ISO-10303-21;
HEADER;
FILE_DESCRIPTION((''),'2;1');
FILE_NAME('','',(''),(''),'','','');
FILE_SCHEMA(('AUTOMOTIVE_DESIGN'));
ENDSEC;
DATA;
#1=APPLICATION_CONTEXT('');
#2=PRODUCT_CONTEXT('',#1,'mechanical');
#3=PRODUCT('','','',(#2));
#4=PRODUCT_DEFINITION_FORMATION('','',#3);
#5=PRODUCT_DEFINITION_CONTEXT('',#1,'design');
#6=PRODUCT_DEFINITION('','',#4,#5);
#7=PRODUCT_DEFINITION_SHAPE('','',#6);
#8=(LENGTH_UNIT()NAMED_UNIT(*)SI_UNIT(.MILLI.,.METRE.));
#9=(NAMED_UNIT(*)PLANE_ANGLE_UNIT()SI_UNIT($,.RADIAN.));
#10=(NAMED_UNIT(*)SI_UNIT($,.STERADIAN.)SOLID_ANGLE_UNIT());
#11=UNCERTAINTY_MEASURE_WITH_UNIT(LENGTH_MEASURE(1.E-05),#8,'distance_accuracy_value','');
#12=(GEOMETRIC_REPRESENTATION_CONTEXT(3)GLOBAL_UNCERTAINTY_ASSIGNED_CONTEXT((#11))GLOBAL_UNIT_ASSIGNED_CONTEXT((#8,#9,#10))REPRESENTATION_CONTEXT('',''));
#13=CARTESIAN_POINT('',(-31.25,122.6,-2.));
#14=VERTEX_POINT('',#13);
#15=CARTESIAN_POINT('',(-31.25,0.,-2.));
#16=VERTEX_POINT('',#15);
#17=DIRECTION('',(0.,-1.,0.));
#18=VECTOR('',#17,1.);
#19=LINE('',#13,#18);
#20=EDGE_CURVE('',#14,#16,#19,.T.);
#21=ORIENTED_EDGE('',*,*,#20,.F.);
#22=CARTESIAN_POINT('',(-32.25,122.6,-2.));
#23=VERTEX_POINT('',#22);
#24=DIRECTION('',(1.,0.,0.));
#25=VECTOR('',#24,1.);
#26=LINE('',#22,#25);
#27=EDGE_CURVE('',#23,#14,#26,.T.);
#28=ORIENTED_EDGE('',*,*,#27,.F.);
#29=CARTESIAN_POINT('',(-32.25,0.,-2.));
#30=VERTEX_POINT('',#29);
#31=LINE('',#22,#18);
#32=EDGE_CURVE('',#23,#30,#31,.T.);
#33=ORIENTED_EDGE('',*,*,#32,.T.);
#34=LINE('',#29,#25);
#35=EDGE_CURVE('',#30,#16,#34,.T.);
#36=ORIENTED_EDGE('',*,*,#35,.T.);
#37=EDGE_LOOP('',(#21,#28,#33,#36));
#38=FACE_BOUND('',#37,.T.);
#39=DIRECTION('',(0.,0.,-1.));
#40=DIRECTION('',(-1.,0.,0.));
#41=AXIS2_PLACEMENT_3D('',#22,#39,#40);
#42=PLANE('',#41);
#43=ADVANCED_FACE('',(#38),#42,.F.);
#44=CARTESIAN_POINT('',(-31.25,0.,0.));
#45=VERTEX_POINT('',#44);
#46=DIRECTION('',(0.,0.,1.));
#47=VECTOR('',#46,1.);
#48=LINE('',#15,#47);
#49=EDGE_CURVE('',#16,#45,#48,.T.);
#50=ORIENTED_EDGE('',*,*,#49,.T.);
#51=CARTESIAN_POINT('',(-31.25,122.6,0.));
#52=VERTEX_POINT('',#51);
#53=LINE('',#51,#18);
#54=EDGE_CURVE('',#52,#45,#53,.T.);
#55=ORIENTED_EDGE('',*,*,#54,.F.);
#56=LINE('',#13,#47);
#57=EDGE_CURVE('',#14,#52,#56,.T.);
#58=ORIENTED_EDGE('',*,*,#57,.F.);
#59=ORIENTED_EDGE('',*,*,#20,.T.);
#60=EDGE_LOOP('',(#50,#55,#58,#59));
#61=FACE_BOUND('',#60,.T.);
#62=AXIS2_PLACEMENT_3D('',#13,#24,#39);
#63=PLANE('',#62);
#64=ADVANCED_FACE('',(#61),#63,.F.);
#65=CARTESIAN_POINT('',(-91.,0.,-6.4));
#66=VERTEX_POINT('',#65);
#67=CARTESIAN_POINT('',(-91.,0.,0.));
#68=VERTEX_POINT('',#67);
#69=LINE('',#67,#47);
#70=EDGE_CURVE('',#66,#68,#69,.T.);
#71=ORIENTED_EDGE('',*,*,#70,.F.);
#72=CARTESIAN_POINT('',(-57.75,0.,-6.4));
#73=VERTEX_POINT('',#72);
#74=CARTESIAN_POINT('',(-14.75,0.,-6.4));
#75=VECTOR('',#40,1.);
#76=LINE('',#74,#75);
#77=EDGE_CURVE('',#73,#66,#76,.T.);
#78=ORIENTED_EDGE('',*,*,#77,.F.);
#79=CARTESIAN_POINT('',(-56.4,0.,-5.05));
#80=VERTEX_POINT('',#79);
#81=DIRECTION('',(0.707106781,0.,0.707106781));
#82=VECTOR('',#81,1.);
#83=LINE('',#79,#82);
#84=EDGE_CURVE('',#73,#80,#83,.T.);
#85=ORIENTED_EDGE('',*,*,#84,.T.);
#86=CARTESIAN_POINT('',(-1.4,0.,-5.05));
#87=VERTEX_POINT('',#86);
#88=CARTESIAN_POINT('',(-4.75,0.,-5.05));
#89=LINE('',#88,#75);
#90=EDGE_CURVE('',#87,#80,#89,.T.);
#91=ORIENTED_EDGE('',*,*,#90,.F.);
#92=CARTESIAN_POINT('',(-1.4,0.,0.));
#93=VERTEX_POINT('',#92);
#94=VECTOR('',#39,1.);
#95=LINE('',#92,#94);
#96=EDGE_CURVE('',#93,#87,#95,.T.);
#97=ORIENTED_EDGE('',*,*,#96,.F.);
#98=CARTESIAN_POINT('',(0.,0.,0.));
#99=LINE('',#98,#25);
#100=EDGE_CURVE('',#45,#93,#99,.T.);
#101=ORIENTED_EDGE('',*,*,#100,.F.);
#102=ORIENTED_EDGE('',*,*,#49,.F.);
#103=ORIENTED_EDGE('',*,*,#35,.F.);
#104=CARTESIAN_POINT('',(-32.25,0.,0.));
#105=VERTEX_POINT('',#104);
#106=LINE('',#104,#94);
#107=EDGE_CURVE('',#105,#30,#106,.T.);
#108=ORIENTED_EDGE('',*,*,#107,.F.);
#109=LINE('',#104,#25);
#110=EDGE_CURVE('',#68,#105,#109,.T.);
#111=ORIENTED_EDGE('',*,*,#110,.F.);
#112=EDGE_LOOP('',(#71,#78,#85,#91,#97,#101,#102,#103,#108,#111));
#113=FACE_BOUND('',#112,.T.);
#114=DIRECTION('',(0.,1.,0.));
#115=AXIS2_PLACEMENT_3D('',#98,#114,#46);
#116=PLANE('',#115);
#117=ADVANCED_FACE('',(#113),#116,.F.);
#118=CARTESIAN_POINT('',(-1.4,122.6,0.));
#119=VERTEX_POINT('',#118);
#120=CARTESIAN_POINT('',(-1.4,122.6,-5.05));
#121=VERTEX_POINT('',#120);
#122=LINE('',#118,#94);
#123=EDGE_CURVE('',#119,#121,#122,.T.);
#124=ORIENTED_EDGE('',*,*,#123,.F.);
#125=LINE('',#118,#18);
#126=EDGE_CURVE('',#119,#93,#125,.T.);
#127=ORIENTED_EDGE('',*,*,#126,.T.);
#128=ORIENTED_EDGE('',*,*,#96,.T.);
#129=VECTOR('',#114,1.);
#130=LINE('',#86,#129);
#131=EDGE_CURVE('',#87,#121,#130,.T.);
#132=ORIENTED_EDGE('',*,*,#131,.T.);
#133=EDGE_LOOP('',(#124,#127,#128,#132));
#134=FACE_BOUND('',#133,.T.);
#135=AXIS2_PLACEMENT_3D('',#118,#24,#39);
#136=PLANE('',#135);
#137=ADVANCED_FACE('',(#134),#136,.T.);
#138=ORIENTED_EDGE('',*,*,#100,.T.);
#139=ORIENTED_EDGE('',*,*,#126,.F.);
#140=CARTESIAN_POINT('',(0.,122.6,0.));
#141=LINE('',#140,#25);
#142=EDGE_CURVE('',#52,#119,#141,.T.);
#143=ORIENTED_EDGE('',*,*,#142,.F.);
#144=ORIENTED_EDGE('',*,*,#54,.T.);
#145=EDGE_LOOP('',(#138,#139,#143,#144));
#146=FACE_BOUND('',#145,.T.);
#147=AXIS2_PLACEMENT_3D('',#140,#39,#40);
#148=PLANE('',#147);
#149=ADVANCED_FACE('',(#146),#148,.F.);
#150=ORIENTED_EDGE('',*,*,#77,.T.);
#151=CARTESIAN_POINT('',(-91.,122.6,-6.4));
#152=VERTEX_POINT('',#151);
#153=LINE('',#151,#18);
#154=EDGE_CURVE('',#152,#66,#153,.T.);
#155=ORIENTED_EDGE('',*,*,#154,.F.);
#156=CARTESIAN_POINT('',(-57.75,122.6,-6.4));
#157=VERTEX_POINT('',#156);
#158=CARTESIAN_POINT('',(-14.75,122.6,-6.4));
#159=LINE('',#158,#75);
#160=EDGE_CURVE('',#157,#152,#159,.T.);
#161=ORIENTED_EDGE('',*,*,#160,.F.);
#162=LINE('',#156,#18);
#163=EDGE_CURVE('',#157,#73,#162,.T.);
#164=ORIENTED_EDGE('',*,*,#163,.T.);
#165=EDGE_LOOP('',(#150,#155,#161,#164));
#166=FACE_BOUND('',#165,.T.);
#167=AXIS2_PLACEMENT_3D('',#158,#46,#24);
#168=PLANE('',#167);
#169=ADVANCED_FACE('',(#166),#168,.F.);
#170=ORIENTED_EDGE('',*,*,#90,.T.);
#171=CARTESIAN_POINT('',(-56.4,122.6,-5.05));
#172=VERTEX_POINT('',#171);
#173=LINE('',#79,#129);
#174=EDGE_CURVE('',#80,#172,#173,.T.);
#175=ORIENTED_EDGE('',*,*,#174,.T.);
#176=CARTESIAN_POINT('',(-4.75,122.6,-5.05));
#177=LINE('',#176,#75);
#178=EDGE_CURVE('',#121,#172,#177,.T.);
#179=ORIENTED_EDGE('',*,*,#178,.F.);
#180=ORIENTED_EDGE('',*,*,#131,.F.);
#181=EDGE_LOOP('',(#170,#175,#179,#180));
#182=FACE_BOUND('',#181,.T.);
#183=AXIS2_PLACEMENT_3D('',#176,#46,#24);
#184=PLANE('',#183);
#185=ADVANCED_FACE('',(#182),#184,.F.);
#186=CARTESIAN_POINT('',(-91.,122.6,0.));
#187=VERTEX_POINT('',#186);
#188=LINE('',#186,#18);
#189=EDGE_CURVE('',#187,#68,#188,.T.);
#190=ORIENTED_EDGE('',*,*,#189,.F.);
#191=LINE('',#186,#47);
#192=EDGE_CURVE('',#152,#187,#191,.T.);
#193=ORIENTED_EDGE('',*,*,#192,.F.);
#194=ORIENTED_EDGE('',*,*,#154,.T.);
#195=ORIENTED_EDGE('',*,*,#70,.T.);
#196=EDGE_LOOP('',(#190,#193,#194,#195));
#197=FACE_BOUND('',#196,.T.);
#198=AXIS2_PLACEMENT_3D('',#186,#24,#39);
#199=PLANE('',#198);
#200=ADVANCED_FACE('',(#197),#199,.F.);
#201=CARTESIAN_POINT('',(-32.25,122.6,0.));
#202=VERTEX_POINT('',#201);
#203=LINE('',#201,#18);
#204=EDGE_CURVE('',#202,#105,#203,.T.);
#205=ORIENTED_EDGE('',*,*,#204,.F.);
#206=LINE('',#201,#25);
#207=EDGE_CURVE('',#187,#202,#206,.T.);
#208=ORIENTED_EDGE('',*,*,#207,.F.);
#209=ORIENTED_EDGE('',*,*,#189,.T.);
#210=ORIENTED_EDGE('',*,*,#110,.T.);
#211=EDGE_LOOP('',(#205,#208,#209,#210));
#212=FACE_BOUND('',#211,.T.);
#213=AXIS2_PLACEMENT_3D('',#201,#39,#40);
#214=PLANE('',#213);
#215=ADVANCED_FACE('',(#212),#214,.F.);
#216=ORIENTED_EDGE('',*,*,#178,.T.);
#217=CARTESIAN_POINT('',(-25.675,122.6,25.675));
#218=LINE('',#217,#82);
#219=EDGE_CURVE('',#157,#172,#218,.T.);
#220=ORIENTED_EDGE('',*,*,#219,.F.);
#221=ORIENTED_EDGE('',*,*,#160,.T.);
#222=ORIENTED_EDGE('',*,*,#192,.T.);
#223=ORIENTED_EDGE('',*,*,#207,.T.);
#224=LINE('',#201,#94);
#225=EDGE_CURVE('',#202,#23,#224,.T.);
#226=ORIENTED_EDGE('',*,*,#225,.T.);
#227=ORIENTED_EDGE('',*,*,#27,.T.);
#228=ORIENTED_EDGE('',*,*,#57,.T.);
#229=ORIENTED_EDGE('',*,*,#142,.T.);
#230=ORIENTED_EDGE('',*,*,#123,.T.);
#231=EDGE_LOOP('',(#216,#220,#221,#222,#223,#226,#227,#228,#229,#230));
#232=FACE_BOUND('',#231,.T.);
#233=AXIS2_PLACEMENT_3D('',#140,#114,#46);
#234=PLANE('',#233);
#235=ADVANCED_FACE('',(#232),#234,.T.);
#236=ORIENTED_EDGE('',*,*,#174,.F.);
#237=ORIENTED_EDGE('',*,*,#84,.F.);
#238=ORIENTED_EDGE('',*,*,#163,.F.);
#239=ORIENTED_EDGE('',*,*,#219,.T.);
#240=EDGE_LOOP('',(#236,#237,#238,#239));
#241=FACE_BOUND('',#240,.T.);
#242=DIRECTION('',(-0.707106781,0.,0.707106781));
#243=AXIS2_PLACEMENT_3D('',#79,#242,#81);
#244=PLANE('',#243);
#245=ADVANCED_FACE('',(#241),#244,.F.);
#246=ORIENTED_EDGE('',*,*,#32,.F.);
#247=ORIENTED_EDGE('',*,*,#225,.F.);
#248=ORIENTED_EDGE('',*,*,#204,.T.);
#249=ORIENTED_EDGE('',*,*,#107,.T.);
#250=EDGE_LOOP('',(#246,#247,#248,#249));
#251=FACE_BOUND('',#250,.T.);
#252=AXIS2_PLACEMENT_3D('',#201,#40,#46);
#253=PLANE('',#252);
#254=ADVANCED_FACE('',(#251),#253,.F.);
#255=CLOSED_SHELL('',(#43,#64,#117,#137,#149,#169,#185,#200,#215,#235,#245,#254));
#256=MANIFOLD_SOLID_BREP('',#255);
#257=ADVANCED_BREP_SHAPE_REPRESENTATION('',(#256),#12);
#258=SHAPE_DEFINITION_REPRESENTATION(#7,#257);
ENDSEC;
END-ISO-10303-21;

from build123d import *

# Parameters (mm, degrees)
BOSS_EXTRUDE1_DEPTH     = 122.6
SKETCH2_W               = 52.856609426
SKETCH2_H               = 136.885065439
CUT_EXTRUDE1_DEPTH      = 1.4
CUT_EXTRUDE2_DEPTH      = 1
CUT_EXTRUDE2_DEPTH_BACK = 123.6


with BuildPart() as part:
    # Sketch1 → Boss-Extrude1 (new body)
    with BuildSketch(Plane(origin=(0, 0, 0), x_dir=(1, 0, 0), z_dir=(0, 1, 0))):
        Polygon((-4.75, 15), (-4.75, 5.05), (-14.75, 5.05), (-14.75, 6.4), (-91, 6.4), (-91, 0), (-32.25, 0), (-32.25, 2), (-31.25, 2), (-31.25, 0), (0, 0), (0, 15), align=None)
    extrude(amount=BOSS_EXTRUDE1_DEPTH)

    # Sketch2 → Cut-Extrude1 (cut)
    with BuildSketch(Plane(origin=(0, 0, 0), x_dir=(0, 0, -1), z_dir=(1, 0, 0))):
        with Locations((4.111755806, 55.794103185)):
            Rectangle(SKETCH2_W, SKETCH2_H)
    extrude(amount=-CUT_EXTRUDE1_DEPTH, mode=Mode.SUBTRACT)

    # Sketch3 → Cut-Extrude2 (cut, two sides)
    with BuildSketch(Plane(origin=(0, 122.6, 0), x_dir=(1, 0, 0), z_dir=(0, 1, 0))) as cut_extrude2_sk:
        Polygon((-1.4, 5.05), (-56.4, 5.05), (-60.82107113, 9.47107113), (-60.82107113, 21.013712959), (-1.4, 21.013712959), align=None)
    extrude(amount=CUT_EXTRUDE2_DEPTH, mode=Mode.SUBTRACT)
    extrude(cut_extrude2_sk.sketch, amount=-CUT_EXTRUDE2_DEPTH_BACK, mode=Mode.SUBTRACT)


solid = part.part
